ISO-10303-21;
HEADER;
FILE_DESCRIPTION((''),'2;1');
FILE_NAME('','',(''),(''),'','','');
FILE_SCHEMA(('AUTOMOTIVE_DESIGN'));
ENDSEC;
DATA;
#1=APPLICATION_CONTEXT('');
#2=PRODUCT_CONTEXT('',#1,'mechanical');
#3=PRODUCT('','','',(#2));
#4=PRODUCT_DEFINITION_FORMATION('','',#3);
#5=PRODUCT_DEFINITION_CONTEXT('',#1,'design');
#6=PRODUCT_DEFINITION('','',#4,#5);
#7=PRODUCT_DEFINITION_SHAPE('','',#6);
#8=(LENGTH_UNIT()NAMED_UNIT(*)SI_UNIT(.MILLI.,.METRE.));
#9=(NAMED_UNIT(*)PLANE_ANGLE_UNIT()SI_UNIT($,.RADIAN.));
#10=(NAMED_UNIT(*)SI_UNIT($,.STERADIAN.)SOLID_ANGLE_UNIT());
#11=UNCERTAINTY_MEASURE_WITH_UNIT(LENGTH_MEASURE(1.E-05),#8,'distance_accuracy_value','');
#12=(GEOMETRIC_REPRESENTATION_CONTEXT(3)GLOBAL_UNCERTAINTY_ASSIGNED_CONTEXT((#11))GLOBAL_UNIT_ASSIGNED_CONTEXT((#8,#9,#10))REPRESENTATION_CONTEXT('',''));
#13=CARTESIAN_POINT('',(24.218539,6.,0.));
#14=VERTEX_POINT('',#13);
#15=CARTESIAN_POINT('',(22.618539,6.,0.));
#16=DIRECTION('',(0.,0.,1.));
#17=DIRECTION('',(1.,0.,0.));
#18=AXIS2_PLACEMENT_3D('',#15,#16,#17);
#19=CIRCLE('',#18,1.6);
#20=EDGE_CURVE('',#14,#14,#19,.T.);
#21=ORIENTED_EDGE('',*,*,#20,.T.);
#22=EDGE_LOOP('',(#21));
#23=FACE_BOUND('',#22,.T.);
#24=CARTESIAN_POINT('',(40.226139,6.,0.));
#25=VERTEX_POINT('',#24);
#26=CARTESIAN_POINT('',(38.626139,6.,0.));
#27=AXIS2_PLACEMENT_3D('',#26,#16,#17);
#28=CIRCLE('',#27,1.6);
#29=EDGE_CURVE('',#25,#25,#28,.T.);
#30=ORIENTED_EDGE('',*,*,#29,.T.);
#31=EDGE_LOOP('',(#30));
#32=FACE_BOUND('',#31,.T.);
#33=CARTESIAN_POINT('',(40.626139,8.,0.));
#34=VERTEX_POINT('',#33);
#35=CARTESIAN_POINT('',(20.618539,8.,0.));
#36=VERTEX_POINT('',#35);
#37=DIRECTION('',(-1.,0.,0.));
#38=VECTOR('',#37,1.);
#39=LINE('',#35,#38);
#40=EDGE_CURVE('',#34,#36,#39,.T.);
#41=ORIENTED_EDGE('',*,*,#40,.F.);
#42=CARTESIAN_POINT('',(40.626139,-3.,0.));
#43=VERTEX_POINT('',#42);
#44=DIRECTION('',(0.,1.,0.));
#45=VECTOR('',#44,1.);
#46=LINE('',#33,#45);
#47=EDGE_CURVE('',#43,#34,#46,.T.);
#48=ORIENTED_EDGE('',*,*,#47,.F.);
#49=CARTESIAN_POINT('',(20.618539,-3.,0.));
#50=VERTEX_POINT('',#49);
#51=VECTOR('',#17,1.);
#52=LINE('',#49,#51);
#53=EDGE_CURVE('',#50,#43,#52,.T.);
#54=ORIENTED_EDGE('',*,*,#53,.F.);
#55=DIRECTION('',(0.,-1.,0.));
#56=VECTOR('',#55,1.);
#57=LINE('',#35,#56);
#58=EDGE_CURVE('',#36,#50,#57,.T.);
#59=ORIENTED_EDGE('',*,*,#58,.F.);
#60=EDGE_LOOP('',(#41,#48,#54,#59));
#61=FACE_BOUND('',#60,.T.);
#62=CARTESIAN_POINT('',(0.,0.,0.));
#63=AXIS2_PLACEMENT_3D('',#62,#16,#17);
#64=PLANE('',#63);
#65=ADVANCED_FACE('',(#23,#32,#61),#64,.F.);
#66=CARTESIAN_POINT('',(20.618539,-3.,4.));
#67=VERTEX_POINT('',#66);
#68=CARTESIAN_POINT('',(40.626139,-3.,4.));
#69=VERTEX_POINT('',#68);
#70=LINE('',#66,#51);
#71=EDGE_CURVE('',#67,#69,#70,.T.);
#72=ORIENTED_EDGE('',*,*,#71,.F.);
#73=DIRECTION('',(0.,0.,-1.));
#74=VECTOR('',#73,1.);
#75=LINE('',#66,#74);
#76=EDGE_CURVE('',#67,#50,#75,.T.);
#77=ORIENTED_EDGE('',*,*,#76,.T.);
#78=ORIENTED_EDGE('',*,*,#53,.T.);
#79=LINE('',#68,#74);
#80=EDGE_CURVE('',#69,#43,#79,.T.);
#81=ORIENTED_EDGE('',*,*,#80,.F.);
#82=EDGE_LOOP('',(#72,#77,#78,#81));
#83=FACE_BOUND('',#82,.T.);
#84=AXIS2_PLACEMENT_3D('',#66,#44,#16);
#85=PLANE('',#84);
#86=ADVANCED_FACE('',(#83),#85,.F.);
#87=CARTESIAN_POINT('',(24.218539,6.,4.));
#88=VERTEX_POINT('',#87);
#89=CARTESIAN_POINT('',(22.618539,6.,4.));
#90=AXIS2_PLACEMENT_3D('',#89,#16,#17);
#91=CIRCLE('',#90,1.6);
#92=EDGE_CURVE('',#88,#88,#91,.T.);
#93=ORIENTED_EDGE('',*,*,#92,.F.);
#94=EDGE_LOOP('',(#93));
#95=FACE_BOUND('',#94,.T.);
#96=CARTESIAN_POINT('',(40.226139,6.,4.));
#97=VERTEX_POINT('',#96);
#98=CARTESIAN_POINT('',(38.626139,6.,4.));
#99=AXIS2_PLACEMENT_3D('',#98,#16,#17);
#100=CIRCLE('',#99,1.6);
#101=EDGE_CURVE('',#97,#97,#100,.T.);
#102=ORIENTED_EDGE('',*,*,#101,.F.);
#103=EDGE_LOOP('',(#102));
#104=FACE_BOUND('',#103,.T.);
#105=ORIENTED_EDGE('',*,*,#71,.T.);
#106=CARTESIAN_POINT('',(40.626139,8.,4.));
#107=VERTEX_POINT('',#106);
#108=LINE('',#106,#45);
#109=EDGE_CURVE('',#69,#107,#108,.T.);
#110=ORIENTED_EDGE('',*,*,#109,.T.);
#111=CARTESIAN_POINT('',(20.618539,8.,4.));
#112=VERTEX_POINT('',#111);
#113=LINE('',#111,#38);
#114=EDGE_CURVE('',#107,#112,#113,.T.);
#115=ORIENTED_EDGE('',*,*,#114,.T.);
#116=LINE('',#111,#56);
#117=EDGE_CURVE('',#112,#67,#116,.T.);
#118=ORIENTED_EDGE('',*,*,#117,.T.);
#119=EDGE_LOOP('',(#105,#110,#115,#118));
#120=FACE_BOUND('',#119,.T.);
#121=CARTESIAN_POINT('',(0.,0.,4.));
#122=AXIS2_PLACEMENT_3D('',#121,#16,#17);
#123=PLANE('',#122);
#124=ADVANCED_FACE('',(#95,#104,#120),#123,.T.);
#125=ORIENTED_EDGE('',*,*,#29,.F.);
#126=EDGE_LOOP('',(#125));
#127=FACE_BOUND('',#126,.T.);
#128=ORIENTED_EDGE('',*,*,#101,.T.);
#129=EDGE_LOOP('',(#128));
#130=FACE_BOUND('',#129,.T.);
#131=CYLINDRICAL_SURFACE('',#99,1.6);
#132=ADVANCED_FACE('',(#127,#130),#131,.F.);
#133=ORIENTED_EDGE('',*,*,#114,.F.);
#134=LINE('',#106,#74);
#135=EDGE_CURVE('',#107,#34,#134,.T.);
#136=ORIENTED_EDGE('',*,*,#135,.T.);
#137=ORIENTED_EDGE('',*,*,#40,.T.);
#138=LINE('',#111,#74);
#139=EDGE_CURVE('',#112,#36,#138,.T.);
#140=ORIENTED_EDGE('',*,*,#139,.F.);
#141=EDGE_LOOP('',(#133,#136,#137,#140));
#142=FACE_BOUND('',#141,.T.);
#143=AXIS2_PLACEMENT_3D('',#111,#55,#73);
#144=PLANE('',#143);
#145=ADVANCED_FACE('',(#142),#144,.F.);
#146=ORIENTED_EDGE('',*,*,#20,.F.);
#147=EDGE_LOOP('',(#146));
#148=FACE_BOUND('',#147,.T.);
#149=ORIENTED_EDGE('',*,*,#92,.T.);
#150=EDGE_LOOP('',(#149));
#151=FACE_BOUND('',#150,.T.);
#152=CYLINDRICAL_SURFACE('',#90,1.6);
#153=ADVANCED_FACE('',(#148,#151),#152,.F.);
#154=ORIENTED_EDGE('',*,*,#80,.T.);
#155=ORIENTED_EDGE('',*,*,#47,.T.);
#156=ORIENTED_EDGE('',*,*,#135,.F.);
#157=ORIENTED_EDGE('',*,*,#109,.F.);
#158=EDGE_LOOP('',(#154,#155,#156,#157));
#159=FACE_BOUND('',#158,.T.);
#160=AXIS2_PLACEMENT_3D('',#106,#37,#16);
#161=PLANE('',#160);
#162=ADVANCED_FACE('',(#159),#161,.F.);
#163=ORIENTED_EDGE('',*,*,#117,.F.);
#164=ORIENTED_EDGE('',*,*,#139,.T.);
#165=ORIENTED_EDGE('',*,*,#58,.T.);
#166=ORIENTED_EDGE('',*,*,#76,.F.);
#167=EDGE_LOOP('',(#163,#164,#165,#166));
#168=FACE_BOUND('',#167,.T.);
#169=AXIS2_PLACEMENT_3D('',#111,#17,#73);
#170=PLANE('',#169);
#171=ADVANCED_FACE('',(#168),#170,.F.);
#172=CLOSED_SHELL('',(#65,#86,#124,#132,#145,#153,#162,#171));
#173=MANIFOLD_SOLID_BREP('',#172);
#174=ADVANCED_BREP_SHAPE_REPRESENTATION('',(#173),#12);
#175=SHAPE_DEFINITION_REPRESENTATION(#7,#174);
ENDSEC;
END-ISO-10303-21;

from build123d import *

# Parameters (mm, degrees)
SKETCH1_W            = 20.0076
SKETCH1_H            = 11
BOSS_EXTRUDE1_DEPTH  = 4
M3_CLEARANCE_HOLE1_D = 3.2


with BuildPart() as part:
    # Sketch1 → Boss-Extrude1 (new body)
    with BuildSketch(Plane.XY):
        with Locations((30.622339046, 2.5)):
            Rectangle(SKETCH1_W, SKETCH1_H)
    extrude(amount=BOSS_EXTRUDE1_DEPTH)

    # M3 Clearance Hole1 (through all)
    with Locations(Plane.XY.offset(4)):
        with Locations((38.626139046, 6), (22.618539046, 6)):
            Hole(M3_CLEARANCE_HOLE1_D / 2)


solid = part.part
